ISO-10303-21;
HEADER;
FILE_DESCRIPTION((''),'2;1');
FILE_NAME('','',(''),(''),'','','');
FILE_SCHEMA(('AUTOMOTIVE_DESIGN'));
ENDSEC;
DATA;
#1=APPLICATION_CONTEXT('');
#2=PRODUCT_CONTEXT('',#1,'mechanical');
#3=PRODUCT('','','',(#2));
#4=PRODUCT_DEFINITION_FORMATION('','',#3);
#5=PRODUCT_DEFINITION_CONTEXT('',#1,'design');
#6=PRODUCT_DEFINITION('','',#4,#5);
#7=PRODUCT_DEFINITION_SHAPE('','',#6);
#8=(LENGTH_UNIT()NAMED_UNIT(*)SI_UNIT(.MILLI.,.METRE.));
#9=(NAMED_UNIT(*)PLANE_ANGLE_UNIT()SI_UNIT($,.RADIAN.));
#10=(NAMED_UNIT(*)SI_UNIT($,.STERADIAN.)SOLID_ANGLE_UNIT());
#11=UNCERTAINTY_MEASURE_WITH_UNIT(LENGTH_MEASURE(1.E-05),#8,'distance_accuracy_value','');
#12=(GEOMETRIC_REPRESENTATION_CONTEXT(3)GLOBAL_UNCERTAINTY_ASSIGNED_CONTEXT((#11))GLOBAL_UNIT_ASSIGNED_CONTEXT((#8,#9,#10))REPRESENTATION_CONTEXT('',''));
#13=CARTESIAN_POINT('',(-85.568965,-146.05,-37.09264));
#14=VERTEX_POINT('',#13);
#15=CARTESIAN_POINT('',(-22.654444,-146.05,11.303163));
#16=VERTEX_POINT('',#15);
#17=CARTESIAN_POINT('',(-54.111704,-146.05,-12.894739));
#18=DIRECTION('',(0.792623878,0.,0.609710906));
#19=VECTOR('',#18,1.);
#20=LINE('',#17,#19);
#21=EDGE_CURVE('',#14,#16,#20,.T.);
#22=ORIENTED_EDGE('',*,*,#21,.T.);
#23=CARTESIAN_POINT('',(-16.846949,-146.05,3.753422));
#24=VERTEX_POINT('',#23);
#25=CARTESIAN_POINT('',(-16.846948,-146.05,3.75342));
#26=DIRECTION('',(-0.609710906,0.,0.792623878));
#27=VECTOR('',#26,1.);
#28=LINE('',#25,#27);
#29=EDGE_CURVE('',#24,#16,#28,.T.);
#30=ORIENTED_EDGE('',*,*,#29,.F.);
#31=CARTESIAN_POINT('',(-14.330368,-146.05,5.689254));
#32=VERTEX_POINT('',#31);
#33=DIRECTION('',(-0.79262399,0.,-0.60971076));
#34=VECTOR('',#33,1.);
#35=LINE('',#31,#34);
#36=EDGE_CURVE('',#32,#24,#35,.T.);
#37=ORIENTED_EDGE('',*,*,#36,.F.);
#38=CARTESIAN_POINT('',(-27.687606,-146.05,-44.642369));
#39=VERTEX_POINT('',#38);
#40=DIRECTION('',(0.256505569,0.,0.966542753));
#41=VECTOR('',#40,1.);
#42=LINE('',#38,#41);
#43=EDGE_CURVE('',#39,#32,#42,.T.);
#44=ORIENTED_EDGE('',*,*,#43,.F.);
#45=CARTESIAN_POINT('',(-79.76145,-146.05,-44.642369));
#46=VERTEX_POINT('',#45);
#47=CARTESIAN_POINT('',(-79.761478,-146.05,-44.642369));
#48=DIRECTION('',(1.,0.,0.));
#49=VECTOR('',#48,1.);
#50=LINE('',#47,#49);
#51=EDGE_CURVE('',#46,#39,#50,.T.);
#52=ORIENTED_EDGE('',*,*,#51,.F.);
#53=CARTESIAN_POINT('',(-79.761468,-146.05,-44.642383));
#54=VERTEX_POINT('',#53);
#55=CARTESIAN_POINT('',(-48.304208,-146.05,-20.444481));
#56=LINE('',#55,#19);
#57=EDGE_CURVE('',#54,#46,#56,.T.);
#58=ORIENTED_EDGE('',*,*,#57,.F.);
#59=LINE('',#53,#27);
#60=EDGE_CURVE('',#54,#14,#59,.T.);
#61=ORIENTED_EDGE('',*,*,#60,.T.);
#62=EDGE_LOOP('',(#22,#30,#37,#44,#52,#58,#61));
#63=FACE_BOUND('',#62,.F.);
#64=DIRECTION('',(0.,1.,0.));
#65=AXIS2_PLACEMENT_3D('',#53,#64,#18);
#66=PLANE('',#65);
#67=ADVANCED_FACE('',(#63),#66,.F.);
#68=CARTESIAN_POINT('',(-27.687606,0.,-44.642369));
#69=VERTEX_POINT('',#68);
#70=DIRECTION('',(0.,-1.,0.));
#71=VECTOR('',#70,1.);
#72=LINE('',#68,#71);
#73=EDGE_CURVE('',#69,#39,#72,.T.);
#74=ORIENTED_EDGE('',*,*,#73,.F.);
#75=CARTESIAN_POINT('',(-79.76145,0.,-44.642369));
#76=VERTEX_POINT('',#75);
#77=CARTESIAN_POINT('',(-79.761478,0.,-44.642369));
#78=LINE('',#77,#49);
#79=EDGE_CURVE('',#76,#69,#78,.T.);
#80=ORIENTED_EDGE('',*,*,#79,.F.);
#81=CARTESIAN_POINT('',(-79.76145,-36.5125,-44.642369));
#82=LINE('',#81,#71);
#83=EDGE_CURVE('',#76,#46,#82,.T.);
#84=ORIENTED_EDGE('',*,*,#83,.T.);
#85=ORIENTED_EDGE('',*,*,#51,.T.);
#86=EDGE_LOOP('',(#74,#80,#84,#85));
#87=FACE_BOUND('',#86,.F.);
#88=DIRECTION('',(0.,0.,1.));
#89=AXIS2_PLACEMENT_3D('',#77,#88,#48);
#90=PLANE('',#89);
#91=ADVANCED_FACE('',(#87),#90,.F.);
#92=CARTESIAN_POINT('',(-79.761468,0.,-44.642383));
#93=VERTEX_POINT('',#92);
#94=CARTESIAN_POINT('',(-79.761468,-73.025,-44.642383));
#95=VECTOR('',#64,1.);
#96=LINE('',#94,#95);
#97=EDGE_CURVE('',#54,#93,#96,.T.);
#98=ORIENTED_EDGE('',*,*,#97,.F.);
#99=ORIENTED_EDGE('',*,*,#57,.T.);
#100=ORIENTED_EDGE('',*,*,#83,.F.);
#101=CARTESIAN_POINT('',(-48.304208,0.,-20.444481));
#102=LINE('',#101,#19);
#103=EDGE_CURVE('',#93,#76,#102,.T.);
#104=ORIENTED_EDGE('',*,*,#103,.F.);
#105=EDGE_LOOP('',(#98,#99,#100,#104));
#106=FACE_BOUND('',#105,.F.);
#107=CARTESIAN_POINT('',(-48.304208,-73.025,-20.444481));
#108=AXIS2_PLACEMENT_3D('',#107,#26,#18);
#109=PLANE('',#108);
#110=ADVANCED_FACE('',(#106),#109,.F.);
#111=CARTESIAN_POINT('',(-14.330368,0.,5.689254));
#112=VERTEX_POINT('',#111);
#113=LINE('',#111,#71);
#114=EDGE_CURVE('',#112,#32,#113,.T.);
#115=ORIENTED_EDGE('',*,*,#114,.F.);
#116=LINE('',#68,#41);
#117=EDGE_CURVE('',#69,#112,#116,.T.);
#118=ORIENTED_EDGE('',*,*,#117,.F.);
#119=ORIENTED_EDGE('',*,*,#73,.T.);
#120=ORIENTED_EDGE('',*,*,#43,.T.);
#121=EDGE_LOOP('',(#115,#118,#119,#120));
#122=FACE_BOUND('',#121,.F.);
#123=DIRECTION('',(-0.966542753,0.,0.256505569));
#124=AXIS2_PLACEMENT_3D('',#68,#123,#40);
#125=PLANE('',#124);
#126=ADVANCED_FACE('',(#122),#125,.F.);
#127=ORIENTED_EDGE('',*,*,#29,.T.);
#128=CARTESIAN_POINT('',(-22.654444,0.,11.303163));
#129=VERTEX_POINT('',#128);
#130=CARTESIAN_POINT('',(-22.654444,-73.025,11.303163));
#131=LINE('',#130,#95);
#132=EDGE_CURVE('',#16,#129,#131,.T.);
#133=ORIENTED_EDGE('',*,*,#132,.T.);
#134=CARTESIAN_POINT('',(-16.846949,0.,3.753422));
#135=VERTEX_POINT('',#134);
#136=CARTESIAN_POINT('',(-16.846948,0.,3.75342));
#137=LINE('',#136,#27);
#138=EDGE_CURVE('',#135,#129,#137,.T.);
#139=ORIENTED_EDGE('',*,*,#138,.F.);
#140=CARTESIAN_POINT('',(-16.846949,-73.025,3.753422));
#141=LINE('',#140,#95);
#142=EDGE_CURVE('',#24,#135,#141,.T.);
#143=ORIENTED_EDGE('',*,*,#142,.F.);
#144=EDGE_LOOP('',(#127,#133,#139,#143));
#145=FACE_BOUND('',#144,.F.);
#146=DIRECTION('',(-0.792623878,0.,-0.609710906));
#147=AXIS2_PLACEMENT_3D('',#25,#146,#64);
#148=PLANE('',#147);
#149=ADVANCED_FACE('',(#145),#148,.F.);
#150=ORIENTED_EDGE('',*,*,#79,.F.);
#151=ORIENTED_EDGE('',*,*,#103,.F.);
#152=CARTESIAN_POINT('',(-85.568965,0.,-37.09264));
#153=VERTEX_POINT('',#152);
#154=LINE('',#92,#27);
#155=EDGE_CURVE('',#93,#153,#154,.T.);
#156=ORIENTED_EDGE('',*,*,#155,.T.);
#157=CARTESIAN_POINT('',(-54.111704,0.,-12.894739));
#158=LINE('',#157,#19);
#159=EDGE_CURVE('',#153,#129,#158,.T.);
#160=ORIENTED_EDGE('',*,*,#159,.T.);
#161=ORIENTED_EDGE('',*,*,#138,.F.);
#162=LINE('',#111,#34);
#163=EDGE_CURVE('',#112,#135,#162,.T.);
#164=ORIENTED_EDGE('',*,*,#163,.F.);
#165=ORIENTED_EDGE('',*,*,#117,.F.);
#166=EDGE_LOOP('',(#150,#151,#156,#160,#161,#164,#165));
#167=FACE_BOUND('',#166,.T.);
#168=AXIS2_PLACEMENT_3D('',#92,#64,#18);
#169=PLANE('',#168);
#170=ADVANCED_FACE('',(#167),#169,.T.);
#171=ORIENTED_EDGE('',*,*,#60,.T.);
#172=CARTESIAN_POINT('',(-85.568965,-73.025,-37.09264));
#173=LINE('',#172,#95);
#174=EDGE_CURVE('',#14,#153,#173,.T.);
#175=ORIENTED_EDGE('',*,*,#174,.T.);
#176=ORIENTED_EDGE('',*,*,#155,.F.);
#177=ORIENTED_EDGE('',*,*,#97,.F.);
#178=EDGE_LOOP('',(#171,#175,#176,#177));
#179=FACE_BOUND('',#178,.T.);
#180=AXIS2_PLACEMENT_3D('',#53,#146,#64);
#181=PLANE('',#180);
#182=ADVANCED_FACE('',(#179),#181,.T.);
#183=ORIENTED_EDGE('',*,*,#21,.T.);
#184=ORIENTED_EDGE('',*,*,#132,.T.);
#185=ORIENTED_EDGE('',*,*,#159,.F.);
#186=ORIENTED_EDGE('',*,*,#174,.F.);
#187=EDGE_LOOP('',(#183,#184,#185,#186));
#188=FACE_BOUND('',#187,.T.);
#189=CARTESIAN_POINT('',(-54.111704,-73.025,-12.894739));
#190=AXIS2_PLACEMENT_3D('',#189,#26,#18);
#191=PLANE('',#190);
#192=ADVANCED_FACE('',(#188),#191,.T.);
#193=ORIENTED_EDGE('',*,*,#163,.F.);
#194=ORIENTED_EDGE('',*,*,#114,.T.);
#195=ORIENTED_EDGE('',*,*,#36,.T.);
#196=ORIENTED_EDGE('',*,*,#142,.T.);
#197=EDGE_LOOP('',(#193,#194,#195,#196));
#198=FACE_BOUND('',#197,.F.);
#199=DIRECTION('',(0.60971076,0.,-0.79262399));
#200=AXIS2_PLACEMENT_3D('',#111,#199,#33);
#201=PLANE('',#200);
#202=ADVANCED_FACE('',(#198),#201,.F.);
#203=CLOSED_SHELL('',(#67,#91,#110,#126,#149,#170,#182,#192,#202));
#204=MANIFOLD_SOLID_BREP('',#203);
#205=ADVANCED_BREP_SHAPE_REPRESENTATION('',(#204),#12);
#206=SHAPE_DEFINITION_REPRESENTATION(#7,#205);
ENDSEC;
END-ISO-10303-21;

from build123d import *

# Parameters (mm, degrees)
F1_DEPTH = 146.05
F2_W     = 79.375
F2_H     = 146.05
F3_DEPTH = 9.525


with BuildPart() as f1:
    # F0 (on Front) → F1 (new body)
    with BuildSketch(Plane.XZ):
        Polygon((-14.330368, 5.689254), (-79.761478, -44.642369), (-27.687606, -44.642369), align=None)
    extrude(amount=F1_DEPTH)

    # F2 (on face) → F3 (join)
    with BuildSketch(Plane(origin=(-8.076728, 0, 10.499746), x_dir=(0.792624, 0, 0.609711), z_dir=(-0.609711, 0, 0.792624))):
        with Locations((-50.752294, -73.025)):
            Rectangle(F2_W, F2_H)
    extrude(amount=F3_DEPTH)


solid = f1.part
